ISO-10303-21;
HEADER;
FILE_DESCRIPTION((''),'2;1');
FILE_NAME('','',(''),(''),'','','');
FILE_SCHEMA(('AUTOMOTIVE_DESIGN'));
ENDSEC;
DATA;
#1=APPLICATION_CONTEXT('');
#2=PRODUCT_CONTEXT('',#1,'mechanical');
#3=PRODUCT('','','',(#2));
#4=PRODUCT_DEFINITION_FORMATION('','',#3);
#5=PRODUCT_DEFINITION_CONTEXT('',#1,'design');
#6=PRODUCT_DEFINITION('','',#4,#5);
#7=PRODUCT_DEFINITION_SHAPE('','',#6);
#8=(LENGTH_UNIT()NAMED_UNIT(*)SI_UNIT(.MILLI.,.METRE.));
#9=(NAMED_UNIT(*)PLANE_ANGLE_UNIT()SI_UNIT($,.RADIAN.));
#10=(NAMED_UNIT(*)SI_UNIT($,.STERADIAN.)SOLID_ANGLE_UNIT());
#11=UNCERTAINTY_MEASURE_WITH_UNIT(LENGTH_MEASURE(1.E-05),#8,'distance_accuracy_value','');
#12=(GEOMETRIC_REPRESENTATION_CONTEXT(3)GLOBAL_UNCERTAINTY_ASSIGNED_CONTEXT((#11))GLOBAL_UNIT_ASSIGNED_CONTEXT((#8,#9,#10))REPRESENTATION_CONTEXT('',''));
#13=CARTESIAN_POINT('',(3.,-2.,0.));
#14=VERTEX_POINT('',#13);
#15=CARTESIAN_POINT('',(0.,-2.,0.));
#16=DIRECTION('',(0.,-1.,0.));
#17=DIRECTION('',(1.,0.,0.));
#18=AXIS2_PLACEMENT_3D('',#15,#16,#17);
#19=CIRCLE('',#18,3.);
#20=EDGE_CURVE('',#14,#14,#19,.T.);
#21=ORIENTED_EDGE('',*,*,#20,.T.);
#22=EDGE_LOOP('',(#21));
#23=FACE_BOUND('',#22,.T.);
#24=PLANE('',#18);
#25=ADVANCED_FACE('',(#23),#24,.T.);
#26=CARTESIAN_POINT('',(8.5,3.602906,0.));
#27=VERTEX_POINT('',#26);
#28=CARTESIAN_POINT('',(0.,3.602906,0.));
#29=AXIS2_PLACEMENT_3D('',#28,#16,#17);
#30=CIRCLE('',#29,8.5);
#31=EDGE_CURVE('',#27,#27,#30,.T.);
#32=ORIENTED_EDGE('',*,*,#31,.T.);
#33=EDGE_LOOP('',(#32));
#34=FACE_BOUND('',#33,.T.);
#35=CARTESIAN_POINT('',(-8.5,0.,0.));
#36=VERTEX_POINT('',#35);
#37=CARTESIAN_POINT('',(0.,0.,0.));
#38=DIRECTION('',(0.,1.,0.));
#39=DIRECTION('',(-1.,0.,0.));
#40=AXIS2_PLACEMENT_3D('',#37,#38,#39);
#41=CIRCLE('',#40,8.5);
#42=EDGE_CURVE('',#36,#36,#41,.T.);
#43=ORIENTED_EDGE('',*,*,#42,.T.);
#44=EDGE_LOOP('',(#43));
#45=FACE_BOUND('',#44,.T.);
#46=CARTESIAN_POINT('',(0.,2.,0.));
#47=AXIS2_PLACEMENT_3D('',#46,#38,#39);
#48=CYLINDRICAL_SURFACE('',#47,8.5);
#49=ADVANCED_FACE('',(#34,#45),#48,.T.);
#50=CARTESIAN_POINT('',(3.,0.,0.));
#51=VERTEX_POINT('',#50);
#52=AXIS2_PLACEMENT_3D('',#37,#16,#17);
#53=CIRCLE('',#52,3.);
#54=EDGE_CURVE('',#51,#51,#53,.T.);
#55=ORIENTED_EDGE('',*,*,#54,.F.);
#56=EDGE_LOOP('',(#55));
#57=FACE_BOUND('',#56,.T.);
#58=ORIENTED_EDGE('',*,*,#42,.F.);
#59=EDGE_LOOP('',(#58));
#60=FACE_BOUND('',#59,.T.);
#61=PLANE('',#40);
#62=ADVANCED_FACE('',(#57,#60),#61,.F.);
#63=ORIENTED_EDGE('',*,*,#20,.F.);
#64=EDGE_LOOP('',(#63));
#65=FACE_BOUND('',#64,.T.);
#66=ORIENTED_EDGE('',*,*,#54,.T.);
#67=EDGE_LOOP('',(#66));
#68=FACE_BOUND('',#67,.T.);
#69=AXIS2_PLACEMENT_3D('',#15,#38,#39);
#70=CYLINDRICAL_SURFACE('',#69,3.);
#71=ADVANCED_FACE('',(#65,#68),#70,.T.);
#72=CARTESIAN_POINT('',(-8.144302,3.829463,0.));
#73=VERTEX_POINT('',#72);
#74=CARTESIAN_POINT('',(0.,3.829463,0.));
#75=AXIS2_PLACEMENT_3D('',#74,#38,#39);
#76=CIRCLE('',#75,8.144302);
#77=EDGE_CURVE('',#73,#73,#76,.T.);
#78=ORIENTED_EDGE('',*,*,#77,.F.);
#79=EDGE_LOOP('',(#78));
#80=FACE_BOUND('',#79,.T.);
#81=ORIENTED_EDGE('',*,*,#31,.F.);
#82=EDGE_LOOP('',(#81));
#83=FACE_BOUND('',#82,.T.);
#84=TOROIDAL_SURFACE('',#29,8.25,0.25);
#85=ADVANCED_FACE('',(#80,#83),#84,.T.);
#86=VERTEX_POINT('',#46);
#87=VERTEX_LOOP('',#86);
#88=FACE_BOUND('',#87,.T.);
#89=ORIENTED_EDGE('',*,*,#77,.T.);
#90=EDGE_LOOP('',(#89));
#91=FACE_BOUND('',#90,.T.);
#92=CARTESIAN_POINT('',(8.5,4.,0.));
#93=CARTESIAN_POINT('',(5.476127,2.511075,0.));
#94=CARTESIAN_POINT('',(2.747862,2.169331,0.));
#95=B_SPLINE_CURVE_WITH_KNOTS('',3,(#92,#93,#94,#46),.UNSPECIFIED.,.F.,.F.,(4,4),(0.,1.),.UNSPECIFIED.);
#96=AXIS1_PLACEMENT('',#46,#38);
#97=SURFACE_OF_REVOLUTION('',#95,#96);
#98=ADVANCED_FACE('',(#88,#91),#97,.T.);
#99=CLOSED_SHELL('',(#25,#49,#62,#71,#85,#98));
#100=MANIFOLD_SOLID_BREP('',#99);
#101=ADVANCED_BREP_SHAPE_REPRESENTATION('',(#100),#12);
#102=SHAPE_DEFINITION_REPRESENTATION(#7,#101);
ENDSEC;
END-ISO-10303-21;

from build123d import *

# Parameters (mm, degrees)
FILLET1_R           = 0.25
SKETCH2_R           = 3
BOSS_EXTRUDE1_DEPTH = 2


with BuildPart() as part:
    # Sketch1 → Revolve1 (revolve)
    with BuildSketch(Plane.XY, mode=Mode.PRIVATE) as revolve1_sk:
        with BuildLine():
            Line((0, 2), (0, 0))
            Line((0, 0), (8.5, 0))
            Line((8.5, 0), (8.5, 4))
            add(Edge.make_bspline(
                [(0, 2), (2.747861556, 2.169330532), (5.476127383, 2.511075109), (8.5, 4)],
                knots=[0, 0, 0, 0, 1, 1, 1, 1], degree=3))
        make_face()
    revolve(revolve1_sk.sketch.rotate(Axis((0, 2, 0), (0, -1, 0)), 180), axis=Axis((0, 2, 0), (0, -1, 0)))

    # Fillet1
    fillet1_edges = [part.edges().sort_by_distance(p)[0] for p in [
        (8.5, 4, 0),
    ]]
    fillet(fillet1_edges, radius=FILLET1_R)

    # Sketch2 → Boss-Extrude1 (add)
    with BuildSketch(Plane.XZ):
        Circle(SKETCH2_R)
    extrude(amount=BOSS_EXTRUDE1_DEPTH)


solid = part.part
